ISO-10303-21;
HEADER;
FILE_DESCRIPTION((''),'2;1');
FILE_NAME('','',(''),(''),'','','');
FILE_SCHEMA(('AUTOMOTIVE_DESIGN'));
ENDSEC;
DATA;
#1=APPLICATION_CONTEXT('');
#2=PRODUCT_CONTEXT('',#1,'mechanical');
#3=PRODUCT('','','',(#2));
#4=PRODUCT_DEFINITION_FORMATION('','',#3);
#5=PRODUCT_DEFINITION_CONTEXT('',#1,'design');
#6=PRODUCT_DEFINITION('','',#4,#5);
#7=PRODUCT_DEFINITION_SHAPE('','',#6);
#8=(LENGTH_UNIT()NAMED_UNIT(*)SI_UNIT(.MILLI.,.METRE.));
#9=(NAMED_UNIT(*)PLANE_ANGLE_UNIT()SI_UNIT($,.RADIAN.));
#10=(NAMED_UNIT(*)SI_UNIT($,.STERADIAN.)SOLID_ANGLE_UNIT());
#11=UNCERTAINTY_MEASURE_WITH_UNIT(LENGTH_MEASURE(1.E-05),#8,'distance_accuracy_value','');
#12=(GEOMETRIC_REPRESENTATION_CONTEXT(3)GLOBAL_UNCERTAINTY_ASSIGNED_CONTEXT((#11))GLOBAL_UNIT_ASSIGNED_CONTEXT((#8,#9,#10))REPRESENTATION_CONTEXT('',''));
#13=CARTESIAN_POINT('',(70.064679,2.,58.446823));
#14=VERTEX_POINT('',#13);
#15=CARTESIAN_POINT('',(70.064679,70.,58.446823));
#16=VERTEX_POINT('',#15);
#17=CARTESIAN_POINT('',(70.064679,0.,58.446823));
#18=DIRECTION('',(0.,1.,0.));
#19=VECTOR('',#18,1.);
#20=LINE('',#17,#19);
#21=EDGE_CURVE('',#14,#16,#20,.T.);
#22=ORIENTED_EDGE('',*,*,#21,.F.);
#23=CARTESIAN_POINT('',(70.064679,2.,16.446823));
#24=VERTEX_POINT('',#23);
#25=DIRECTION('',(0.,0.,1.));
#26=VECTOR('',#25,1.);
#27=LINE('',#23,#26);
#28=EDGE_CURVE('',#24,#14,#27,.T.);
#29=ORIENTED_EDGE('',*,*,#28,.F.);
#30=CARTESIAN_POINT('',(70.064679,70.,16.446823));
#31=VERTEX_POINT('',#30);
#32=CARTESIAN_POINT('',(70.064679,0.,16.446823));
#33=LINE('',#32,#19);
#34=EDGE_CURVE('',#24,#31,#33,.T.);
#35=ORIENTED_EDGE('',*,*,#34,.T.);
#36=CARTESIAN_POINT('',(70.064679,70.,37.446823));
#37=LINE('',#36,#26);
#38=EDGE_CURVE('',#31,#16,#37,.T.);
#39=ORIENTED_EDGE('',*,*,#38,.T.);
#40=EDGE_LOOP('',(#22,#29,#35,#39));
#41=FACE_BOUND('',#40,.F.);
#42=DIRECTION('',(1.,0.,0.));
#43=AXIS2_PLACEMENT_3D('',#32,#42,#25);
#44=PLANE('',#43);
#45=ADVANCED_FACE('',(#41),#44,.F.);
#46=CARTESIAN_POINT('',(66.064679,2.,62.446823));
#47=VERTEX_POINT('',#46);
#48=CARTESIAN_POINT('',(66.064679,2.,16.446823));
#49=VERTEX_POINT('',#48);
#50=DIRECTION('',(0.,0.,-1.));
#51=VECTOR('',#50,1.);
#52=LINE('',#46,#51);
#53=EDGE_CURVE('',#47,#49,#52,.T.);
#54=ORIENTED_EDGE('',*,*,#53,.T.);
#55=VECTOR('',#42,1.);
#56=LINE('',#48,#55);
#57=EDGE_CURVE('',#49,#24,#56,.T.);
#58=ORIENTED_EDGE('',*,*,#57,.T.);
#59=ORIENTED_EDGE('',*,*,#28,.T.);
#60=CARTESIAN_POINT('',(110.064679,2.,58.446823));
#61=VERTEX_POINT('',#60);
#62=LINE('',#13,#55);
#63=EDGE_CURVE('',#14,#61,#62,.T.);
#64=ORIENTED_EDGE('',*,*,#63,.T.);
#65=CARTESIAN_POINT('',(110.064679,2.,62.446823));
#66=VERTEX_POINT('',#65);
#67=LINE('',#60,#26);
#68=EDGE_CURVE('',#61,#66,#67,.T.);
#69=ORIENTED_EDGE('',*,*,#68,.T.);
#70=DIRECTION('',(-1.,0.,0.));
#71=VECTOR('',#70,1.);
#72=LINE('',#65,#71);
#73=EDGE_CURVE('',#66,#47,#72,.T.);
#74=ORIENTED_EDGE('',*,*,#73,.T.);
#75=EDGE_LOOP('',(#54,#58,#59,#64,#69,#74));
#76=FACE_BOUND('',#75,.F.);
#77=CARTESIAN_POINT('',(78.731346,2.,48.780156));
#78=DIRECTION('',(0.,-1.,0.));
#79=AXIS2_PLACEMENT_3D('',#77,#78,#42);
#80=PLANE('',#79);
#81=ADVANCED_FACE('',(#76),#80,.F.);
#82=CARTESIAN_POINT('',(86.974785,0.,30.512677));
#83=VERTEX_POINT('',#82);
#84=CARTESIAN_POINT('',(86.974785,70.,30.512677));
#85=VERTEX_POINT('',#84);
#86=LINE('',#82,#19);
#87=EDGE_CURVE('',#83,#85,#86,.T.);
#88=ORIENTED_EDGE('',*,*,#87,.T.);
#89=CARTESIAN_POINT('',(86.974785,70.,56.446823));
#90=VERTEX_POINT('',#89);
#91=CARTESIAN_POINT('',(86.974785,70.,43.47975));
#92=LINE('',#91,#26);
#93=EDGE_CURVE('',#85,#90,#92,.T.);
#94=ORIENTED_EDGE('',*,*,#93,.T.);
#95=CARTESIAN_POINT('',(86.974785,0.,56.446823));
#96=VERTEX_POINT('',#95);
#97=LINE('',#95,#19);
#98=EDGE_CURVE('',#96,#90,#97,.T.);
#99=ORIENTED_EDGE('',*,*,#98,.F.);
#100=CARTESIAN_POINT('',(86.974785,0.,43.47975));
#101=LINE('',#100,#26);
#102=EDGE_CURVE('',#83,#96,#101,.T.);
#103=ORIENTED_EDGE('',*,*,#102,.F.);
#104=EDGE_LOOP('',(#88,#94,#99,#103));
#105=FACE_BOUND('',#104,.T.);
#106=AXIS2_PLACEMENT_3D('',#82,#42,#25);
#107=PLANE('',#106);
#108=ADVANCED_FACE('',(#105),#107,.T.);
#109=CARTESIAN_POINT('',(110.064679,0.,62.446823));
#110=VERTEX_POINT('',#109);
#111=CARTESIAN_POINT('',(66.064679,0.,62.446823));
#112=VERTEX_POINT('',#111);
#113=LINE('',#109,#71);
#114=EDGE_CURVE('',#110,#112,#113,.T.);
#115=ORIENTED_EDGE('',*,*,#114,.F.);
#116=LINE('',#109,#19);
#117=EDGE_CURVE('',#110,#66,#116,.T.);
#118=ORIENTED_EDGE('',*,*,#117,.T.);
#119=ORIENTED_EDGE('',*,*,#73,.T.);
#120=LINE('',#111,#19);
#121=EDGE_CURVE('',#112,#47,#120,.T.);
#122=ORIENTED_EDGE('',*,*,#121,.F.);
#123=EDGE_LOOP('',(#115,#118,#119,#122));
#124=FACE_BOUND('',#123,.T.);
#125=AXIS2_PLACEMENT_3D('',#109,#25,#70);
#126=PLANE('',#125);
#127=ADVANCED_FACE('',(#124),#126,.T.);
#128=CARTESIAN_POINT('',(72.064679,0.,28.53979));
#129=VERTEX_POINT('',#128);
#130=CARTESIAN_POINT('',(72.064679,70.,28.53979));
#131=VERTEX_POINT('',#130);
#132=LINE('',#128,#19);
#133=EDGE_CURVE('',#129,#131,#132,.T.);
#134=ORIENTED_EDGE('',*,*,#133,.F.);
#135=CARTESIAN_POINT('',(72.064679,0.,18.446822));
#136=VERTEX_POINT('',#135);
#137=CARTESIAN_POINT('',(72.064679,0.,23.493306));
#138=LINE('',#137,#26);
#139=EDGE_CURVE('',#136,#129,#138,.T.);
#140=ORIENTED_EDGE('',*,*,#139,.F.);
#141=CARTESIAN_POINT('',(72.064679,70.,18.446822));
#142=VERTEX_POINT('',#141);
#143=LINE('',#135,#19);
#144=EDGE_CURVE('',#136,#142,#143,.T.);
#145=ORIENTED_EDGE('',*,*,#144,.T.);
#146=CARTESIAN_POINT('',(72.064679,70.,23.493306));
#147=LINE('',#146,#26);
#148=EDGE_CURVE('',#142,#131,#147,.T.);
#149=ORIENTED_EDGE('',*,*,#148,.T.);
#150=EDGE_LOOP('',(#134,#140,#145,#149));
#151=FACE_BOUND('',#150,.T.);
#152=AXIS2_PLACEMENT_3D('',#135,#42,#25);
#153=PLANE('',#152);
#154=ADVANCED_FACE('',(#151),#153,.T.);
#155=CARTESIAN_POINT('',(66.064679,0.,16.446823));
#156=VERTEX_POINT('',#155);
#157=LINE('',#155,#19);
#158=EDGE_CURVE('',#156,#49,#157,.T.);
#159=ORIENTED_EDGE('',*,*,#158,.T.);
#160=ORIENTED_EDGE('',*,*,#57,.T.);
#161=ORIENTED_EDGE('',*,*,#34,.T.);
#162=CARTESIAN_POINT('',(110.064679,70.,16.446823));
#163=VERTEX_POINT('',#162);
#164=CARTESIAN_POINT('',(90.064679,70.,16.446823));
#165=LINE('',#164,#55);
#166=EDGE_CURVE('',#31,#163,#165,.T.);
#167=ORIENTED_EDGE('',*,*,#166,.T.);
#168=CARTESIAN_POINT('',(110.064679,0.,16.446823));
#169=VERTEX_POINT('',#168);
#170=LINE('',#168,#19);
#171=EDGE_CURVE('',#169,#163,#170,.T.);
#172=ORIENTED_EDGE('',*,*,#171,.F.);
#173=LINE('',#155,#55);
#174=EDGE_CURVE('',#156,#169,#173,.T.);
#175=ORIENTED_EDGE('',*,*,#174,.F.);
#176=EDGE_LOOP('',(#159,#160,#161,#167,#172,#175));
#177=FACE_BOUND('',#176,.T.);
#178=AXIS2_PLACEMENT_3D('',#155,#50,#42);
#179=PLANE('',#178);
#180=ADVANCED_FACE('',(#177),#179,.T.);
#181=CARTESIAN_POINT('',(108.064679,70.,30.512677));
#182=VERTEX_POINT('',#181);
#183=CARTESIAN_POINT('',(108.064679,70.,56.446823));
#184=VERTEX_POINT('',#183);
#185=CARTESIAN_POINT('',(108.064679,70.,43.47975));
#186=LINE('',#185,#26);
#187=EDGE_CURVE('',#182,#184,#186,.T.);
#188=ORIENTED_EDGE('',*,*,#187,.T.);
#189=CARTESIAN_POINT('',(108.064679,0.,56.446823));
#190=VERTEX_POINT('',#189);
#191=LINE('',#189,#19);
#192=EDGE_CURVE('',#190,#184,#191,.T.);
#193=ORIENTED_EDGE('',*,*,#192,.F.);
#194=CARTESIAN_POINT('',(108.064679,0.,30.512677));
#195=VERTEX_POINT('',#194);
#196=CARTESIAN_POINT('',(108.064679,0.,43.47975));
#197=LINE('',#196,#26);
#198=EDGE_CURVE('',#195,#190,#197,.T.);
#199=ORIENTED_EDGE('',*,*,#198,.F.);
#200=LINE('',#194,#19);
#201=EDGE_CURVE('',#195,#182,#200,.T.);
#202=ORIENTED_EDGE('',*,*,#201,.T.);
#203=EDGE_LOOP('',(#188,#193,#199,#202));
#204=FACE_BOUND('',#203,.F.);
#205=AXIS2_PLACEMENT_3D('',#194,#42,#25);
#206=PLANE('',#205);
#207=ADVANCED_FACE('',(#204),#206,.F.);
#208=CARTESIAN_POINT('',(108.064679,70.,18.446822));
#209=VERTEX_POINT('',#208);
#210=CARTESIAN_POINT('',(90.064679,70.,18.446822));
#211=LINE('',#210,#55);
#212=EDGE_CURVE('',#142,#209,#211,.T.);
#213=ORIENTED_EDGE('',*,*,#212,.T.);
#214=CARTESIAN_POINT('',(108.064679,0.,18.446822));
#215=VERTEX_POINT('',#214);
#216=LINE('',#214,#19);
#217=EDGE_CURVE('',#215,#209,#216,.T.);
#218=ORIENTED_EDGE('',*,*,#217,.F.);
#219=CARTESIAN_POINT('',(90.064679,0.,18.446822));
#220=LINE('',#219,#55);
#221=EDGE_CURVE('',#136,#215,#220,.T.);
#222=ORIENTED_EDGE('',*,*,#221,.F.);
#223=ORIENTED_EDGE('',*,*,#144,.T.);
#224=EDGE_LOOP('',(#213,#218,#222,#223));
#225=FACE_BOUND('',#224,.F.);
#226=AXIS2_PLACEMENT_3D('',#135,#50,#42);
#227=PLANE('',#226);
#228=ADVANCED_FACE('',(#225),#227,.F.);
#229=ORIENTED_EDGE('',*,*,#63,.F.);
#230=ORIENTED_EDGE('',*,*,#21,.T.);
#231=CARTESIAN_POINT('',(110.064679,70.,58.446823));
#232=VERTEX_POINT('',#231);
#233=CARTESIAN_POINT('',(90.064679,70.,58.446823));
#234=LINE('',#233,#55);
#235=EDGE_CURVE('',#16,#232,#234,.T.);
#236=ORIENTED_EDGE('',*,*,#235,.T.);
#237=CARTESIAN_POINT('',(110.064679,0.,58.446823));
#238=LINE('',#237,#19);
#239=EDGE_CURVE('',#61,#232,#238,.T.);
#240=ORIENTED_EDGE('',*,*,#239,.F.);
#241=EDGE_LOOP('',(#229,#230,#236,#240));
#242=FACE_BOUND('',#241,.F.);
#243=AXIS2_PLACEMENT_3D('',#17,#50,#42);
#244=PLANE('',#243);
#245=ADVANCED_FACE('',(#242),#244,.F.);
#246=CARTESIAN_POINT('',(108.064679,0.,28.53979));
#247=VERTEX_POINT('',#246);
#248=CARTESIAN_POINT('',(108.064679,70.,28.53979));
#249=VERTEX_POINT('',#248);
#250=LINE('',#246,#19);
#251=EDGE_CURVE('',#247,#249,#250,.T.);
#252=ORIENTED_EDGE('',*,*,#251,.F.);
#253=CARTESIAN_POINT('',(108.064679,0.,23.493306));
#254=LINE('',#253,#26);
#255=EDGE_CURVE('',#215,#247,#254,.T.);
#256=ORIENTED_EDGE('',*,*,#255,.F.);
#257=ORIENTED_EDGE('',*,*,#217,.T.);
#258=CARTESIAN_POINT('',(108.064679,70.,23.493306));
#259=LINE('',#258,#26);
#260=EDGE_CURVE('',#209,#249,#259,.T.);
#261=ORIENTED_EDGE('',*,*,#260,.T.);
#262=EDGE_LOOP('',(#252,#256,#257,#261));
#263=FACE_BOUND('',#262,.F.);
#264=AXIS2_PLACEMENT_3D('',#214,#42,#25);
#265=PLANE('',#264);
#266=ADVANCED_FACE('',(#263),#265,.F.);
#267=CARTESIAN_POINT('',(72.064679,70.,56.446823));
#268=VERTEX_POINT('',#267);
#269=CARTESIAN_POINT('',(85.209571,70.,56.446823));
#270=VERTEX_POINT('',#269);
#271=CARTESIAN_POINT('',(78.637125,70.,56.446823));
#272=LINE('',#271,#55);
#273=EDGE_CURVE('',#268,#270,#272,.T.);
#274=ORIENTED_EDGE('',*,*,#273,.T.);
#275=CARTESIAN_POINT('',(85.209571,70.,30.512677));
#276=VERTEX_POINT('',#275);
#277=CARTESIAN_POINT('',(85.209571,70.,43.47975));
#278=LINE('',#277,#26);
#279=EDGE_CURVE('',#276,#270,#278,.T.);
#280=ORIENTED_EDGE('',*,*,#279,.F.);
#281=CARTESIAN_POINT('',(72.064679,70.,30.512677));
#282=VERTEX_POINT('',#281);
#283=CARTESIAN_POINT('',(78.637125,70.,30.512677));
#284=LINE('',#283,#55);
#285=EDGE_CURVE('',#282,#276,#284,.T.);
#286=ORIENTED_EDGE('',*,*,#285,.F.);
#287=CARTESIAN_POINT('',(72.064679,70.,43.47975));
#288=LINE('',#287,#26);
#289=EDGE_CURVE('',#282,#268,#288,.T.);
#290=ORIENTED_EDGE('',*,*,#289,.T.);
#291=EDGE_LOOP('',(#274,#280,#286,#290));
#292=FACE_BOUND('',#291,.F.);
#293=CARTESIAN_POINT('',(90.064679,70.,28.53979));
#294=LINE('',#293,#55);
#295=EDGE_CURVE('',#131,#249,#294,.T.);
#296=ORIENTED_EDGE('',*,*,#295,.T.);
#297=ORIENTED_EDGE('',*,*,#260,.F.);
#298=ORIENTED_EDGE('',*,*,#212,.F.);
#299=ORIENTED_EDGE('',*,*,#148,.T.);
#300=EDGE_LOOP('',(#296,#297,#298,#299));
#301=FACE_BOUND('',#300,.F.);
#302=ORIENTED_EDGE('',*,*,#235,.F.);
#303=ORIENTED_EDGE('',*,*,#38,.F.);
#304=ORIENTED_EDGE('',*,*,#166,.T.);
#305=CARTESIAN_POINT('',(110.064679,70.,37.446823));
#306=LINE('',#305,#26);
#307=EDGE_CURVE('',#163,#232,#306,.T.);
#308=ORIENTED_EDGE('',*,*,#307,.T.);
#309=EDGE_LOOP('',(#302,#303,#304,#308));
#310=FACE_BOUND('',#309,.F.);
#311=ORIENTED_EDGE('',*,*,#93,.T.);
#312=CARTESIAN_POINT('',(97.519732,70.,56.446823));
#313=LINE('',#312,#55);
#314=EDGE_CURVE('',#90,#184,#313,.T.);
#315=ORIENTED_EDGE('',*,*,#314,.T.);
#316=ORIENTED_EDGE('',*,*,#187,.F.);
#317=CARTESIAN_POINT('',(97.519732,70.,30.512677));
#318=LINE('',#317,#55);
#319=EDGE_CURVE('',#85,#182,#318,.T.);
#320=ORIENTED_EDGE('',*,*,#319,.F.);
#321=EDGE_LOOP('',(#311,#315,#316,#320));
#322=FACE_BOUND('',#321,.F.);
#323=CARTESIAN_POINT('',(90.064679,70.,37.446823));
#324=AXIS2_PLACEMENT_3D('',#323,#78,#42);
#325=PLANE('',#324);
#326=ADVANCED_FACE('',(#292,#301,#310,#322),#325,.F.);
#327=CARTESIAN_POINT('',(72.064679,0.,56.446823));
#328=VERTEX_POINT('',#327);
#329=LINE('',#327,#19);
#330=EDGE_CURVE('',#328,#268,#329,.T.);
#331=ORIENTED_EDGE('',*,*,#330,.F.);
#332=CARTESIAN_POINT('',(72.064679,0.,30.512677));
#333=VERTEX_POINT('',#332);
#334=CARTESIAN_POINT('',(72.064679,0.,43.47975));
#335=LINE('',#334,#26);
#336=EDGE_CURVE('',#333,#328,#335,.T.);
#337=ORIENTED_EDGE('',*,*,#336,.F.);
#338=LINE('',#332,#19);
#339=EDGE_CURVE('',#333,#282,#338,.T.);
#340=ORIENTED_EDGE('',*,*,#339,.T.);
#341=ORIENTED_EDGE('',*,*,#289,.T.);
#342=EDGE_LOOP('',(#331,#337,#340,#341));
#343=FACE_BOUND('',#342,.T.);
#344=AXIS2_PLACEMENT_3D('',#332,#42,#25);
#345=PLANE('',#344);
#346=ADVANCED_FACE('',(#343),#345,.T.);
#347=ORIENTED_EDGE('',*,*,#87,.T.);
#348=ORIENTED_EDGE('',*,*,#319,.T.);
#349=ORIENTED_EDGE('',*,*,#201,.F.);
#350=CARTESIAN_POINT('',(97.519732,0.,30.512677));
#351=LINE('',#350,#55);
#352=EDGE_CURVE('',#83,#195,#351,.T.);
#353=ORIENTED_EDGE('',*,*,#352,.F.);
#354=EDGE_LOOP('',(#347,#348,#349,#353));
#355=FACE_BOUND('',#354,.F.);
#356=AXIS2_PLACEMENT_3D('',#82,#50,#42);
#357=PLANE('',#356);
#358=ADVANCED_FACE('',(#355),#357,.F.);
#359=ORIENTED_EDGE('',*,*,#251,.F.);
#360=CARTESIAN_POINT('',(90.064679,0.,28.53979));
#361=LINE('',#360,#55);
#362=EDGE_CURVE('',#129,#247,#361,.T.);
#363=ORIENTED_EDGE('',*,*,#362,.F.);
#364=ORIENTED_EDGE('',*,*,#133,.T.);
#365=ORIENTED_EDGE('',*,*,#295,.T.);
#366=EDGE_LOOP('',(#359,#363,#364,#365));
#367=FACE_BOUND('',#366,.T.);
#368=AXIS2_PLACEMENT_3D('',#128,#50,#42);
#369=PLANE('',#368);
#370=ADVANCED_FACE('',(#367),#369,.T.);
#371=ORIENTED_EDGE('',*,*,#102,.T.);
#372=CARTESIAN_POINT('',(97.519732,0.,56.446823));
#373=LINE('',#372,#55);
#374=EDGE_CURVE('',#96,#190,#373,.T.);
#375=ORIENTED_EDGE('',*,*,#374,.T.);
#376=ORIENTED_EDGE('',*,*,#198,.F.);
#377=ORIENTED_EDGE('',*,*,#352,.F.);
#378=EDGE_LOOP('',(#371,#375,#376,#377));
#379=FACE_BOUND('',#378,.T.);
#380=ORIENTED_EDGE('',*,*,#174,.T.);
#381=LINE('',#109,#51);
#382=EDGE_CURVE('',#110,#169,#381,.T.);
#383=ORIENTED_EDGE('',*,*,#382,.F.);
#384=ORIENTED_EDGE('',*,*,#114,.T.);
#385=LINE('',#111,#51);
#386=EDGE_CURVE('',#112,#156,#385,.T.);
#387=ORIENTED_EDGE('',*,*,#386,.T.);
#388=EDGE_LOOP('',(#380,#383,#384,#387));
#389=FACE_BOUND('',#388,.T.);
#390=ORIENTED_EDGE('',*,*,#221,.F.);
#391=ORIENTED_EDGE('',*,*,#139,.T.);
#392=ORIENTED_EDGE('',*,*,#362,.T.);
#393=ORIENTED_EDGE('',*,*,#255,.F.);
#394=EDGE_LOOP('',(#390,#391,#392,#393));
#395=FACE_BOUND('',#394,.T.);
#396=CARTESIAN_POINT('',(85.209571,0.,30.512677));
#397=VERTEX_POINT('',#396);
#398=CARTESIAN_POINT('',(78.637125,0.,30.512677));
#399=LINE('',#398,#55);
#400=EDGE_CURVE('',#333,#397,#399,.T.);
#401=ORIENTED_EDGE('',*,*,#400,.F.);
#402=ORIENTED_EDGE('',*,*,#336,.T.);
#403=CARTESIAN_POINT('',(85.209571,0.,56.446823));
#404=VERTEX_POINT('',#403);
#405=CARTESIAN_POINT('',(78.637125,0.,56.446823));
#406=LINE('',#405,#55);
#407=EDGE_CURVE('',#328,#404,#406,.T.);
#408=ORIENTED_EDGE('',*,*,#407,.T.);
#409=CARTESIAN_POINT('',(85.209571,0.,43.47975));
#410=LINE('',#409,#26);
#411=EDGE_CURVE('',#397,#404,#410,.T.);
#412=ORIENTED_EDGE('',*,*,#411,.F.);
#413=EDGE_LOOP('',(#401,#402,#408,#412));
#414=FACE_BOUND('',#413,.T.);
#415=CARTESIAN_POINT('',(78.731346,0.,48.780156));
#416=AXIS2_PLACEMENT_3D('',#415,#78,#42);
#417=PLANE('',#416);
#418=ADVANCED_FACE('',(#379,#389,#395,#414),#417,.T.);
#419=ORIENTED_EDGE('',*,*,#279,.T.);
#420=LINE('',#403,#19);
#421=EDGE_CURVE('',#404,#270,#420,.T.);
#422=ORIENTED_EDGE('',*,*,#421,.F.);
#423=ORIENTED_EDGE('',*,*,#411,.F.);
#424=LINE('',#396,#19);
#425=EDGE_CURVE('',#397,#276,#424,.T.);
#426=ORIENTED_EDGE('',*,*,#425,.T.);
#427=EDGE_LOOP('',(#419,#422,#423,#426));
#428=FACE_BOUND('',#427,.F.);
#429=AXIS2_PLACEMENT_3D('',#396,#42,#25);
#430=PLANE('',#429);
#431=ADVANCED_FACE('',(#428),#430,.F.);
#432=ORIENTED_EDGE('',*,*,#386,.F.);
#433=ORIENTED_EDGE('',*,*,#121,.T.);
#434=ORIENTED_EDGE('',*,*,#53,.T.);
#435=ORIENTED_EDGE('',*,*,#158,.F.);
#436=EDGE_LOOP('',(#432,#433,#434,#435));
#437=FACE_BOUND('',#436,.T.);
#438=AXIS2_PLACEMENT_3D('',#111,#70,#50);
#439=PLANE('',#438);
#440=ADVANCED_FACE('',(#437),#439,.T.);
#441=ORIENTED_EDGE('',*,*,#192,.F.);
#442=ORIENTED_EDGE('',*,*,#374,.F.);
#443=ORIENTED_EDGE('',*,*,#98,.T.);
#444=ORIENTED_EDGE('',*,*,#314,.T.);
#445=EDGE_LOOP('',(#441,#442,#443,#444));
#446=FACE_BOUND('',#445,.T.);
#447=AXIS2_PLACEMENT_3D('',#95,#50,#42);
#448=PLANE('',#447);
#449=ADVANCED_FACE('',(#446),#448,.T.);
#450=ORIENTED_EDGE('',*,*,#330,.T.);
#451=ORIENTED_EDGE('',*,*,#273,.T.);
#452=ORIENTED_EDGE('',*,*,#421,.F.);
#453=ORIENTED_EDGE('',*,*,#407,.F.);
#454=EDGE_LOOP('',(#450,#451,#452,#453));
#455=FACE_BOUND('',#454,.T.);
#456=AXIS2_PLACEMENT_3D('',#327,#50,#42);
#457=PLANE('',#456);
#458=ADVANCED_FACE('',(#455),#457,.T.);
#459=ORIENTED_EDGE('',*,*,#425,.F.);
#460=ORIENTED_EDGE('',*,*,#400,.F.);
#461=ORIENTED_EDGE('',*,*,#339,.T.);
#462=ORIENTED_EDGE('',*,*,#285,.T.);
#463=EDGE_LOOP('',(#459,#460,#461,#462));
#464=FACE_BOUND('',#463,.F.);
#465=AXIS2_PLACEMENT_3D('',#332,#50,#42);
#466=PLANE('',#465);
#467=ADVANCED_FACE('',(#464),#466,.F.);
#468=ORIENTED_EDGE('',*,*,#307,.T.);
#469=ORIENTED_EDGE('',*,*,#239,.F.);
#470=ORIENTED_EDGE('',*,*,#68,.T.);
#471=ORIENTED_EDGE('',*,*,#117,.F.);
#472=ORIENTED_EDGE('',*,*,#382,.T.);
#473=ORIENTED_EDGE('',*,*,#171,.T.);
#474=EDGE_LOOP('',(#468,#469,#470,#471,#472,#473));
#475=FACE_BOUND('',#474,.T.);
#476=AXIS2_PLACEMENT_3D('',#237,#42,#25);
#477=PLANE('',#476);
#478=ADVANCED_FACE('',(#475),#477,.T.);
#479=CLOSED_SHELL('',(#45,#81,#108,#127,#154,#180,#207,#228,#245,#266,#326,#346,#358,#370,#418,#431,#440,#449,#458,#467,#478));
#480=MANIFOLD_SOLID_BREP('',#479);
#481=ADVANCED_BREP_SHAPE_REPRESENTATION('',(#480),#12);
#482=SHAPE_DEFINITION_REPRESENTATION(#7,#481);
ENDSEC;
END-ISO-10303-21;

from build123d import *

# Parameters (mm, degrees)
F0_W     = 40
F0_H     = 42
F0_W_2   = 36
F0_H_2   = 10.092967
F0_W_3   = 13.144892
F0_H_3   = 25.934145
F0_W_4   = 21.089894
F1_DEPTH = 70
F4_DEPTH = 2


with BuildPart() as f1:
    # F0 (on Front) → F1 (new body)
    with BuildSketch(Plane.XZ):
        with Locations((90.064679, 37.446823)):
            Rectangle(F0_W, F0_H)
        with Locations((90.064679, 23.493306)):
            Rectangle(F0_W_2, F0_H_2, mode=Mode.SUBTRACT)
        with Locations((78.637125, 43.47975)):
            Rectangle(F0_W_3, F0_H_3, mode=Mode.SUBTRACT)
        with Locations((97.519732, 43.47975)):
            Rectangle(F0_W_4, F0_H_3, mode=Mode.SUBTRACT)
    extrude(amount=-F1_DEPTH)

    # F3 (on face) → F4 (join)
    with BuildSketch(Plane.XZ):
        Polygon((110.064679, 62.446823), (66.064679, 62.446823), (66.064679, 16.446823), (70.064679, 16.446823), (70.064679, 58.446823), (110.064679, 58.446823), align=None)
    extrude(amount=-F4_DEPTH)


solid = f1.part
